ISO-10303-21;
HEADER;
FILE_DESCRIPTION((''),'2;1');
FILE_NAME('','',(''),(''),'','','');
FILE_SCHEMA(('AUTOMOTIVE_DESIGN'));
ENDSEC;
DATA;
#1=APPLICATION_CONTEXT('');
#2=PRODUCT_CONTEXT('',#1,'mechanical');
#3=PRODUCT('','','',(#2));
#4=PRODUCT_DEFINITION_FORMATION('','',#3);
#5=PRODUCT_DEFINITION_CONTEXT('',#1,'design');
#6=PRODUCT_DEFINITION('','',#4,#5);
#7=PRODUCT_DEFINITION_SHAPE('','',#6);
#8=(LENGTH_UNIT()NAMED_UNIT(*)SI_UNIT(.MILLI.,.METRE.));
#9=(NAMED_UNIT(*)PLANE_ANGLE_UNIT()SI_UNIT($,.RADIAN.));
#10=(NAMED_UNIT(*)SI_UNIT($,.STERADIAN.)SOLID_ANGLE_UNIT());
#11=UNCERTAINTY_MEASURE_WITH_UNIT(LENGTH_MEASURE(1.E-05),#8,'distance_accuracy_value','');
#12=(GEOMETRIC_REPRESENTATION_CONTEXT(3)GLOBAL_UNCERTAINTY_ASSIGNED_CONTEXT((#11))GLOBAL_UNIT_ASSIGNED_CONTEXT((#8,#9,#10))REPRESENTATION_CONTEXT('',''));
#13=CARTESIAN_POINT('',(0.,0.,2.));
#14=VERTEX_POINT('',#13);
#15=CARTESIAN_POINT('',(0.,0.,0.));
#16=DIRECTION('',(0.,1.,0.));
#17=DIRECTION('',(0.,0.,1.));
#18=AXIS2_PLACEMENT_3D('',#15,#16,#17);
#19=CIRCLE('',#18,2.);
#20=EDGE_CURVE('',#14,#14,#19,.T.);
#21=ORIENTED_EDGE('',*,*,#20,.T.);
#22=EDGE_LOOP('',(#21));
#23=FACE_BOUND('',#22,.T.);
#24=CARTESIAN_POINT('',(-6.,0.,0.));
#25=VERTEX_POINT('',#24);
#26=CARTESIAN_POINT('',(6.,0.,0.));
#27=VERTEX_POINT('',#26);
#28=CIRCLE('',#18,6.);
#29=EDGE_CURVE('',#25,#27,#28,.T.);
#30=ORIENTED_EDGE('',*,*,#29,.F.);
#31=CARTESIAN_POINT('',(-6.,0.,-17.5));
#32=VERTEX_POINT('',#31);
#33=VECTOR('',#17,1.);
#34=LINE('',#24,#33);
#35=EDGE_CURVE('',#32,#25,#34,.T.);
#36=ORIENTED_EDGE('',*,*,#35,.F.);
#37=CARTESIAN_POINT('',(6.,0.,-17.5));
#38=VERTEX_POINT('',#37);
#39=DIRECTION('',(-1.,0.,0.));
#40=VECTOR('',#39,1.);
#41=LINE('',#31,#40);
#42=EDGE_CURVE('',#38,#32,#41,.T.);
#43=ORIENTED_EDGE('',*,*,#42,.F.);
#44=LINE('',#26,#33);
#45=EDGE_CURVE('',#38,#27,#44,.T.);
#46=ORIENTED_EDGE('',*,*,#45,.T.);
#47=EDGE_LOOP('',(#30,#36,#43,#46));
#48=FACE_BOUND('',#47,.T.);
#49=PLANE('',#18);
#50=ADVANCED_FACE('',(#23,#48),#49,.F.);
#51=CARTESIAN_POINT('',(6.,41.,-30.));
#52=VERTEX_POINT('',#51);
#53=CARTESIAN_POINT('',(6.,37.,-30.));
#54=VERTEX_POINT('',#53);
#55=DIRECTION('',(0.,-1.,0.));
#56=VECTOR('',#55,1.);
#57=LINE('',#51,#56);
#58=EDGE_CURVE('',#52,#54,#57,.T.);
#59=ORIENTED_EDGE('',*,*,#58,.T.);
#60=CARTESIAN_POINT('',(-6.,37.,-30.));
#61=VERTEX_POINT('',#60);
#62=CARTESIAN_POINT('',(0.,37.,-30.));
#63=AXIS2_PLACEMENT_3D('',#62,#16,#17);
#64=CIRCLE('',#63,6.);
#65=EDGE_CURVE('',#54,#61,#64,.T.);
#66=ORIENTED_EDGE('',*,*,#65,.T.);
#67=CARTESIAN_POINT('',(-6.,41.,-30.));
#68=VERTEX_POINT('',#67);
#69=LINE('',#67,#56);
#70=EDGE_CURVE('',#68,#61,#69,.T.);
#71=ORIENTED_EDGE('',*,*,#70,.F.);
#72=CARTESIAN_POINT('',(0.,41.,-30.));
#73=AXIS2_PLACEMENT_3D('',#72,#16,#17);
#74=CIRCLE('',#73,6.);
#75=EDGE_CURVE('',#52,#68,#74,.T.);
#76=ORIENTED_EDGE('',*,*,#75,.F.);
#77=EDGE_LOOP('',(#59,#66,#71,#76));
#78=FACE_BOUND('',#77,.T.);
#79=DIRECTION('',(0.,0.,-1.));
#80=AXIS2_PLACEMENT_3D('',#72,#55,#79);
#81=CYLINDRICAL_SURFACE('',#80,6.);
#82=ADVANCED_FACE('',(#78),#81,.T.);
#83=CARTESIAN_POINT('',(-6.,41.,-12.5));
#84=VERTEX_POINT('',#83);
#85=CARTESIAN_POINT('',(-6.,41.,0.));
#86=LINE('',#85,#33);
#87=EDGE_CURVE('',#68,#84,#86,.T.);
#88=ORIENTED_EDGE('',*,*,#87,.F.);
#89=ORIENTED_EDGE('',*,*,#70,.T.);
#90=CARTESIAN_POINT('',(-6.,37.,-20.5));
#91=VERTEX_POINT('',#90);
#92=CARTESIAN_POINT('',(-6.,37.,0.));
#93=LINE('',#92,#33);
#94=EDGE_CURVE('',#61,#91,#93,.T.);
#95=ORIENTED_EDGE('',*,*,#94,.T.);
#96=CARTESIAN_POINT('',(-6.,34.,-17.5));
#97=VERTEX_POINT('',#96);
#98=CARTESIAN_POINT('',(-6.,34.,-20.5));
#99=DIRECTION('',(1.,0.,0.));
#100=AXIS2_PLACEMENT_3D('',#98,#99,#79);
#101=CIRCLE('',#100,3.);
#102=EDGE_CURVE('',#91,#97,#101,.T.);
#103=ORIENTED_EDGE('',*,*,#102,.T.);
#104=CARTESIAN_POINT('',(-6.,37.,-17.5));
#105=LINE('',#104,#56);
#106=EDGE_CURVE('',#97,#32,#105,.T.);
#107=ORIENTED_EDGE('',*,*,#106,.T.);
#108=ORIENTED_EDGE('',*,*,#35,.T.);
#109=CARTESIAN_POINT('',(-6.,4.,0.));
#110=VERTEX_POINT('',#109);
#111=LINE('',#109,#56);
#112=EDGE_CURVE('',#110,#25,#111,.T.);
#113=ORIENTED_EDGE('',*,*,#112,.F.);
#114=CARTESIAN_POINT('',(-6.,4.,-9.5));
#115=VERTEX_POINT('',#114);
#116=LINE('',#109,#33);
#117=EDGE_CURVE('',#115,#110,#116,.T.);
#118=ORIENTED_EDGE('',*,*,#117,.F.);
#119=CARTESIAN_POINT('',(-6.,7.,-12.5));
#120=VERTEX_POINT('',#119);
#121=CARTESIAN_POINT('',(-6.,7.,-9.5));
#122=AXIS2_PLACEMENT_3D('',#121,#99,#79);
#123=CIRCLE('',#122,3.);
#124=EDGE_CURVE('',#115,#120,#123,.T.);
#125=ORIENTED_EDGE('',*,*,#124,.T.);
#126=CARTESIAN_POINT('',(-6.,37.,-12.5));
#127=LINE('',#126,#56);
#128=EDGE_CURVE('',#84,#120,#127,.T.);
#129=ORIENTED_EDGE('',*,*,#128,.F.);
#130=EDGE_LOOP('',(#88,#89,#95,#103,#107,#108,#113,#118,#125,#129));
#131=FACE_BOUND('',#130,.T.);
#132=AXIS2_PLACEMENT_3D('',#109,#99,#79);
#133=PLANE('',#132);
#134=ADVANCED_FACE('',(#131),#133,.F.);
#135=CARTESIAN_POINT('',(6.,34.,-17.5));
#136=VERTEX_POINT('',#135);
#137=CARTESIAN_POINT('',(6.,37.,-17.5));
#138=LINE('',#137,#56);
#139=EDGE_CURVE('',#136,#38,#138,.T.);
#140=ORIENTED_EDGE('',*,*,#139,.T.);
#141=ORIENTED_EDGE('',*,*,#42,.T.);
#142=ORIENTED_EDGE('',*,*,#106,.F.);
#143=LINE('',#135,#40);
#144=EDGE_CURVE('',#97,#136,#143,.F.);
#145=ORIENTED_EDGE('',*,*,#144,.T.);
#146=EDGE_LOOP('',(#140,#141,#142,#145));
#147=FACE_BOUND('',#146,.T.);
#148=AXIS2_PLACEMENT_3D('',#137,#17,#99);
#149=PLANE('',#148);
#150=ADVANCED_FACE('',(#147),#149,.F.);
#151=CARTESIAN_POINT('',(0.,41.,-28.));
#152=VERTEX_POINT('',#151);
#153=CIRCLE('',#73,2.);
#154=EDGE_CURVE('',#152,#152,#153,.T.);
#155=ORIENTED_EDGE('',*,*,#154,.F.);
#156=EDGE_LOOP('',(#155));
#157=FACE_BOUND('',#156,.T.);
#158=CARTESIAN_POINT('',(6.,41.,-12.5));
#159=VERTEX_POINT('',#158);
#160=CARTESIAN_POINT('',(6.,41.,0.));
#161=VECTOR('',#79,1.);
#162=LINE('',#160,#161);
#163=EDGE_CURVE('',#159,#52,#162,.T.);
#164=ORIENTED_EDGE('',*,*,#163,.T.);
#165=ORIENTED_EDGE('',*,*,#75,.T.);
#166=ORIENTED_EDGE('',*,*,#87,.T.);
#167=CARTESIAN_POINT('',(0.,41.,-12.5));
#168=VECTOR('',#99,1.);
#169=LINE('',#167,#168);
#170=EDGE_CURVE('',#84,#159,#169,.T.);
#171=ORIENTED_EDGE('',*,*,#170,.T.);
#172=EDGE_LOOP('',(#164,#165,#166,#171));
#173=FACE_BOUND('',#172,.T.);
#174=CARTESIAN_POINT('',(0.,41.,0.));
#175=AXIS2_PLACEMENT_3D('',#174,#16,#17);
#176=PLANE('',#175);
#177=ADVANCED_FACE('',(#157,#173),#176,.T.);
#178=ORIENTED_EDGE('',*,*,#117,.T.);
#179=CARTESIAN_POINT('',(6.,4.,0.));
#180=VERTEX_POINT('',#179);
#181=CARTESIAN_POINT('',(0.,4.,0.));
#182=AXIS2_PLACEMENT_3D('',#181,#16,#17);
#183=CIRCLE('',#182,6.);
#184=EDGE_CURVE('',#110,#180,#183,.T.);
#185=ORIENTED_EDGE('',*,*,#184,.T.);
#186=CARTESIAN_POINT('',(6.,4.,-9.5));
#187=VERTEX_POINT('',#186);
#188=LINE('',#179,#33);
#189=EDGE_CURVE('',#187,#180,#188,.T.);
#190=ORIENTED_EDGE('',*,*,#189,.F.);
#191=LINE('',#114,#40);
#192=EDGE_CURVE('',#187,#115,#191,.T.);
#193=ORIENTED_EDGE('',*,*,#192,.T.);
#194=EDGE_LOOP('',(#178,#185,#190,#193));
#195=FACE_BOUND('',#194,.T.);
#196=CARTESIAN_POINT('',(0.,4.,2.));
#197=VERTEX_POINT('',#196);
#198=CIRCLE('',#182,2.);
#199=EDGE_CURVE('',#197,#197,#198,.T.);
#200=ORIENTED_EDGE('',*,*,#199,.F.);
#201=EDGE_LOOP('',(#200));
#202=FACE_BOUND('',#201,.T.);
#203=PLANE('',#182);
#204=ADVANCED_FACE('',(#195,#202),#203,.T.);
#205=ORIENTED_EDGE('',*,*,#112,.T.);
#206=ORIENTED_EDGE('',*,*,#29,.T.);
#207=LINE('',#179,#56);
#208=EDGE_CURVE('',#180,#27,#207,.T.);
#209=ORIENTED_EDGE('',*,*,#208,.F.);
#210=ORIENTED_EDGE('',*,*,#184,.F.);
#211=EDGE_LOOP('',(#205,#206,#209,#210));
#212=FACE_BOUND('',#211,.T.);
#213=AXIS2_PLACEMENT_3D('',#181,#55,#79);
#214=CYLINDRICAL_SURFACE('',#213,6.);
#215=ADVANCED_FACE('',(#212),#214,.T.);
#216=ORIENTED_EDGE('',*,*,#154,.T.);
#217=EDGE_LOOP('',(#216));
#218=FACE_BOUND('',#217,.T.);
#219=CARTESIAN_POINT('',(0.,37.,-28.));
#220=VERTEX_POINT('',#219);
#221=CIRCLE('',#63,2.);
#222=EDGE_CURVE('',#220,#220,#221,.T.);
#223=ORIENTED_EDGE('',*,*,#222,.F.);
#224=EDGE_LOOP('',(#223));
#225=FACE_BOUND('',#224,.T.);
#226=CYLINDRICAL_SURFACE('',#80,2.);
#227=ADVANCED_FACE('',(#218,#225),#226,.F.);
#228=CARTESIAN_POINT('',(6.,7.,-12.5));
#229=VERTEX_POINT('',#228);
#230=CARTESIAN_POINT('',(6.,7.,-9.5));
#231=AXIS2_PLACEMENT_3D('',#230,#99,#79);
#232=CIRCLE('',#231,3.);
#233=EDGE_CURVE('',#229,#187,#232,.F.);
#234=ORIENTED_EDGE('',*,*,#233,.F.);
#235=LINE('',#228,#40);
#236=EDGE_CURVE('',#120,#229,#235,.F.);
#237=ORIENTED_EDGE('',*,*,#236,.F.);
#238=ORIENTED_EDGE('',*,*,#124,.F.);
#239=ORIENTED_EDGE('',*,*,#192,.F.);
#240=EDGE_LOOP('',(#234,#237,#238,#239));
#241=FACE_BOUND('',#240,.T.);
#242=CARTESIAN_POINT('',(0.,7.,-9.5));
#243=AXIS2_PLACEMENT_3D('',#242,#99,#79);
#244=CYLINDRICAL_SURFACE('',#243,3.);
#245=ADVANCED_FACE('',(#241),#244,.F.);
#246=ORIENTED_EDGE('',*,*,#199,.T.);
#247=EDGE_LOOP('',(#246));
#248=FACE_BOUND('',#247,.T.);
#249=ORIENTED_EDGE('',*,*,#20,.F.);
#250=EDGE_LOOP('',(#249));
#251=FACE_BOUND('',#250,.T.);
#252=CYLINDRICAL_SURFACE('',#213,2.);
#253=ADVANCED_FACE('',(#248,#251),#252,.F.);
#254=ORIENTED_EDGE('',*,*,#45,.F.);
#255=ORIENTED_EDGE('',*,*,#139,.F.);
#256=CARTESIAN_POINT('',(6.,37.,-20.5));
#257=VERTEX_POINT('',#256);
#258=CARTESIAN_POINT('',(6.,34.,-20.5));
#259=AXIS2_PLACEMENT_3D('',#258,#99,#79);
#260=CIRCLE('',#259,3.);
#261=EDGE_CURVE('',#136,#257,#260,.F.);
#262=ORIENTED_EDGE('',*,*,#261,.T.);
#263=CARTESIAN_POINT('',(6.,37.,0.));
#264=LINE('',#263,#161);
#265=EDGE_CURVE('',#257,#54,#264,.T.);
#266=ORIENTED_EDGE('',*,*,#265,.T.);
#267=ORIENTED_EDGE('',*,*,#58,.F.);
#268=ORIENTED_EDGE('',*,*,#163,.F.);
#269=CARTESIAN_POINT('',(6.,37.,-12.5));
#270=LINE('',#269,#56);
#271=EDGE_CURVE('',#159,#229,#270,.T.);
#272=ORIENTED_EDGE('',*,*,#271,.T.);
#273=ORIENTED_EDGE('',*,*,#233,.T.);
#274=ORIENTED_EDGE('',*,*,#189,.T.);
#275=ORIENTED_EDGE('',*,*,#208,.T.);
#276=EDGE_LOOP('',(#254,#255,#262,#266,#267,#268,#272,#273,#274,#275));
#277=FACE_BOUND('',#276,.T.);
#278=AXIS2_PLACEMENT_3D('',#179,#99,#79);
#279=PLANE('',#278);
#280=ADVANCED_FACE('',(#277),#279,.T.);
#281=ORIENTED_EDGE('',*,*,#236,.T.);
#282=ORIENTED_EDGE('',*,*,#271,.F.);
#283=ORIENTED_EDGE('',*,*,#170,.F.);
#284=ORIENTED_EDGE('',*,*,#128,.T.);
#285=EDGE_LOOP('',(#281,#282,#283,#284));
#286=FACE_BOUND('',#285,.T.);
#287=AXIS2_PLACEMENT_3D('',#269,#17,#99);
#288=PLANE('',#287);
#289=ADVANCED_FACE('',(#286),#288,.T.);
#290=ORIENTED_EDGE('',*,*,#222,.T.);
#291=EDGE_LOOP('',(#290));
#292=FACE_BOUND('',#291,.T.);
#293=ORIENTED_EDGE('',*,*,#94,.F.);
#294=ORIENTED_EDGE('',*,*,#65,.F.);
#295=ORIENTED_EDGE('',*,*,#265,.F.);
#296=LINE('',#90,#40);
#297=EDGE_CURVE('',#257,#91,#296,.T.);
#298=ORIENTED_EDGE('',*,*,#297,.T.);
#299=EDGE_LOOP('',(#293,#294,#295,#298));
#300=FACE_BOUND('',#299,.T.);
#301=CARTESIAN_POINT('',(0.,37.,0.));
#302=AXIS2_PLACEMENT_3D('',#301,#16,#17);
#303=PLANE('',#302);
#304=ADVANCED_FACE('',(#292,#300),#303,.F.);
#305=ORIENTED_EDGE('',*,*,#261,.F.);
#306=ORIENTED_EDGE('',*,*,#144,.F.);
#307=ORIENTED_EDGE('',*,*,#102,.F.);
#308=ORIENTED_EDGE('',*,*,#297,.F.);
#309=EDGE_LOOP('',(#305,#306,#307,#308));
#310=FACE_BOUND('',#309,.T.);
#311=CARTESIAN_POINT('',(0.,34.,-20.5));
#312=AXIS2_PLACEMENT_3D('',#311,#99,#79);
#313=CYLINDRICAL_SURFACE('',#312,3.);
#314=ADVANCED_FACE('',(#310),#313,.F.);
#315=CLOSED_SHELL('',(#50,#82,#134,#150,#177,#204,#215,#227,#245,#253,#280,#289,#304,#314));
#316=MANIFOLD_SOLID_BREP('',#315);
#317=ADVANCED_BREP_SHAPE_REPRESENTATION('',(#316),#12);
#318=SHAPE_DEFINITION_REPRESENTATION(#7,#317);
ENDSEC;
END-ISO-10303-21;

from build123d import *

# Parameters (mm, degrees)
SKETCH1_R                      = 2
BOSS_EXTRUDE1_DEPTH            = 4
SKETCH2_W                      = 12
SKETCH2_H                      = 5
BOSS_EXTRUDE2_DEPTH            = 33
SKETCH3_R                      = 2
SKETCH3_W                      = 12
SKETCH3_H                      = 5
BOSS_EXTRUDE3_DEPTH            = 4
FILLET1_R                      = 3
CUT_EXTRUDE1_REACH             = 53.971
SKETCH4_W                      = 12
SKETCH4_H                      = 19.420745895
CUT_EXTRUDE1_DIRECTION_2_DEPTH = 10


with BuildPart() as part:
    # Sketch1 → Boss-Extrude1 (new body)
    with BuildSketch(Plane(origin=(0, 0, 0), x_dir=(1, 0, 0), z_dir=(0, 1, 0))):
        with BuildLine():
            ThreePointArc((6, 30), (0, 36), (-6, 30))
            Line((-6, 30), (-6, 0))
            ThreePointArc((-6, 0), (0, -6), (6, 0))
            Line((6, 0), (6, 30))
        make_face()
        with Locations(Location((0, 30, 0), (0, 0, 270))):
            Circle(SKETCH1_R, mode=Mode.SUBTRACT)
        with Locations(Location((0, 0, 0), (0, 0, 270))):
            Circle(SKETCH1_R, mode=Mode.SUBTRACT)
    extrude(amount=BOSS_EXTRUDE1_DEPTH)

    # Sketch2 → Boss-Extrude2 (add)
    with BuildSketch(Plane(origin=(0, 4, 0), x_dir=(1, 0, 0), z_dir=(0, 1, 0))):
        with Locations((0, 15)):
            Rectangle(SKETCH2_W, SKETCH2_H)
    extrude(amount=BOSS_EXTRUDE2_DEPTH)

    # Sketch3 → Boss-Extrude3 (add)
    # profile 1 of 2: a face of its own
    with BuildSketch(Plane(origin=(0, 37, 0), x_dir=(1, 0, 0), z_dir=(0, 1, 0))):
        with BuildLine():
            Line((6, 17.5), (6, 30))
            ThreePointArc((6, 30), (0, 36), (-6, 30))
            Line((-6, 30), (-6, 17.5))
            Line((-6, 17.5), (6, 17.5))
        make_face()
        with Locations(Location((0, 30, 0), (0, 0, 270))):
            Circle(SKETCH3_R, mode=Mode.SUBTRACT)
    # profile 2 of 2: a face of its own
    with BuildSketch(Plane(origin=(0, 37, 0), x_dir=(1, 0, 0), z_dir=(0, 1, 0))):
        with Locations((0, 15)):
            Rectangle(SKETCH3_W, SKETCH3_H)
    extrude(amount=BOSS_EXTRUDE3_DEPTH)

    # Fillet1
    fillet1_edges = [part.edges().sort_by_distance(p)[0] for p in [
        (0, 4, -17.5),
        (0, 37, -17.5),
        (0, 4, -12.5),
    ]]
    fillet(fillet1_edges, radius=FILLET1_R)

    # Sketch4 → Cut-Extrude1 (cut, up to next)
    with BuildSketch(Plane(origin=(0, 4, 0), x_dir=(1, 0, 0), z_dir=(0, 1, 0)), mode=Mode.PRIVATE) as cut_extrude1_sk1:
        with Locations((0, 27.210372948)):
            Rectangle(SKETCH4_W, SKETCH4_H)
    cut_extrude1_tool1 = extrude(cut_extrude1_sk1.sketch, amount=-CUT_EXTRUDE1_REACH, mode=Mode.PRIVATE) & part.part
    add(cut_extrude1_tool1.solids().sort_by_distance((0, 4, -27.210373))[0], mode=Mode.SUBTRACT)

    # Sketch4 → Cut-Extrude1 direction 2 (cut)
    with BuildSketch(Plane(origin=(0, 4, 0), x_dir=(1, 0, 0), z_dir=(0, 1, 0))):
        with Locations((0, 27.210372948)):
            Rectangle(SKETCH4_W, SKETCH4_H)
    extrude(amount=CUT_EXTRUDE1_DIRECTION_2_DEPTH, mode=Mode.SUBTRACT)


solid = part.part
